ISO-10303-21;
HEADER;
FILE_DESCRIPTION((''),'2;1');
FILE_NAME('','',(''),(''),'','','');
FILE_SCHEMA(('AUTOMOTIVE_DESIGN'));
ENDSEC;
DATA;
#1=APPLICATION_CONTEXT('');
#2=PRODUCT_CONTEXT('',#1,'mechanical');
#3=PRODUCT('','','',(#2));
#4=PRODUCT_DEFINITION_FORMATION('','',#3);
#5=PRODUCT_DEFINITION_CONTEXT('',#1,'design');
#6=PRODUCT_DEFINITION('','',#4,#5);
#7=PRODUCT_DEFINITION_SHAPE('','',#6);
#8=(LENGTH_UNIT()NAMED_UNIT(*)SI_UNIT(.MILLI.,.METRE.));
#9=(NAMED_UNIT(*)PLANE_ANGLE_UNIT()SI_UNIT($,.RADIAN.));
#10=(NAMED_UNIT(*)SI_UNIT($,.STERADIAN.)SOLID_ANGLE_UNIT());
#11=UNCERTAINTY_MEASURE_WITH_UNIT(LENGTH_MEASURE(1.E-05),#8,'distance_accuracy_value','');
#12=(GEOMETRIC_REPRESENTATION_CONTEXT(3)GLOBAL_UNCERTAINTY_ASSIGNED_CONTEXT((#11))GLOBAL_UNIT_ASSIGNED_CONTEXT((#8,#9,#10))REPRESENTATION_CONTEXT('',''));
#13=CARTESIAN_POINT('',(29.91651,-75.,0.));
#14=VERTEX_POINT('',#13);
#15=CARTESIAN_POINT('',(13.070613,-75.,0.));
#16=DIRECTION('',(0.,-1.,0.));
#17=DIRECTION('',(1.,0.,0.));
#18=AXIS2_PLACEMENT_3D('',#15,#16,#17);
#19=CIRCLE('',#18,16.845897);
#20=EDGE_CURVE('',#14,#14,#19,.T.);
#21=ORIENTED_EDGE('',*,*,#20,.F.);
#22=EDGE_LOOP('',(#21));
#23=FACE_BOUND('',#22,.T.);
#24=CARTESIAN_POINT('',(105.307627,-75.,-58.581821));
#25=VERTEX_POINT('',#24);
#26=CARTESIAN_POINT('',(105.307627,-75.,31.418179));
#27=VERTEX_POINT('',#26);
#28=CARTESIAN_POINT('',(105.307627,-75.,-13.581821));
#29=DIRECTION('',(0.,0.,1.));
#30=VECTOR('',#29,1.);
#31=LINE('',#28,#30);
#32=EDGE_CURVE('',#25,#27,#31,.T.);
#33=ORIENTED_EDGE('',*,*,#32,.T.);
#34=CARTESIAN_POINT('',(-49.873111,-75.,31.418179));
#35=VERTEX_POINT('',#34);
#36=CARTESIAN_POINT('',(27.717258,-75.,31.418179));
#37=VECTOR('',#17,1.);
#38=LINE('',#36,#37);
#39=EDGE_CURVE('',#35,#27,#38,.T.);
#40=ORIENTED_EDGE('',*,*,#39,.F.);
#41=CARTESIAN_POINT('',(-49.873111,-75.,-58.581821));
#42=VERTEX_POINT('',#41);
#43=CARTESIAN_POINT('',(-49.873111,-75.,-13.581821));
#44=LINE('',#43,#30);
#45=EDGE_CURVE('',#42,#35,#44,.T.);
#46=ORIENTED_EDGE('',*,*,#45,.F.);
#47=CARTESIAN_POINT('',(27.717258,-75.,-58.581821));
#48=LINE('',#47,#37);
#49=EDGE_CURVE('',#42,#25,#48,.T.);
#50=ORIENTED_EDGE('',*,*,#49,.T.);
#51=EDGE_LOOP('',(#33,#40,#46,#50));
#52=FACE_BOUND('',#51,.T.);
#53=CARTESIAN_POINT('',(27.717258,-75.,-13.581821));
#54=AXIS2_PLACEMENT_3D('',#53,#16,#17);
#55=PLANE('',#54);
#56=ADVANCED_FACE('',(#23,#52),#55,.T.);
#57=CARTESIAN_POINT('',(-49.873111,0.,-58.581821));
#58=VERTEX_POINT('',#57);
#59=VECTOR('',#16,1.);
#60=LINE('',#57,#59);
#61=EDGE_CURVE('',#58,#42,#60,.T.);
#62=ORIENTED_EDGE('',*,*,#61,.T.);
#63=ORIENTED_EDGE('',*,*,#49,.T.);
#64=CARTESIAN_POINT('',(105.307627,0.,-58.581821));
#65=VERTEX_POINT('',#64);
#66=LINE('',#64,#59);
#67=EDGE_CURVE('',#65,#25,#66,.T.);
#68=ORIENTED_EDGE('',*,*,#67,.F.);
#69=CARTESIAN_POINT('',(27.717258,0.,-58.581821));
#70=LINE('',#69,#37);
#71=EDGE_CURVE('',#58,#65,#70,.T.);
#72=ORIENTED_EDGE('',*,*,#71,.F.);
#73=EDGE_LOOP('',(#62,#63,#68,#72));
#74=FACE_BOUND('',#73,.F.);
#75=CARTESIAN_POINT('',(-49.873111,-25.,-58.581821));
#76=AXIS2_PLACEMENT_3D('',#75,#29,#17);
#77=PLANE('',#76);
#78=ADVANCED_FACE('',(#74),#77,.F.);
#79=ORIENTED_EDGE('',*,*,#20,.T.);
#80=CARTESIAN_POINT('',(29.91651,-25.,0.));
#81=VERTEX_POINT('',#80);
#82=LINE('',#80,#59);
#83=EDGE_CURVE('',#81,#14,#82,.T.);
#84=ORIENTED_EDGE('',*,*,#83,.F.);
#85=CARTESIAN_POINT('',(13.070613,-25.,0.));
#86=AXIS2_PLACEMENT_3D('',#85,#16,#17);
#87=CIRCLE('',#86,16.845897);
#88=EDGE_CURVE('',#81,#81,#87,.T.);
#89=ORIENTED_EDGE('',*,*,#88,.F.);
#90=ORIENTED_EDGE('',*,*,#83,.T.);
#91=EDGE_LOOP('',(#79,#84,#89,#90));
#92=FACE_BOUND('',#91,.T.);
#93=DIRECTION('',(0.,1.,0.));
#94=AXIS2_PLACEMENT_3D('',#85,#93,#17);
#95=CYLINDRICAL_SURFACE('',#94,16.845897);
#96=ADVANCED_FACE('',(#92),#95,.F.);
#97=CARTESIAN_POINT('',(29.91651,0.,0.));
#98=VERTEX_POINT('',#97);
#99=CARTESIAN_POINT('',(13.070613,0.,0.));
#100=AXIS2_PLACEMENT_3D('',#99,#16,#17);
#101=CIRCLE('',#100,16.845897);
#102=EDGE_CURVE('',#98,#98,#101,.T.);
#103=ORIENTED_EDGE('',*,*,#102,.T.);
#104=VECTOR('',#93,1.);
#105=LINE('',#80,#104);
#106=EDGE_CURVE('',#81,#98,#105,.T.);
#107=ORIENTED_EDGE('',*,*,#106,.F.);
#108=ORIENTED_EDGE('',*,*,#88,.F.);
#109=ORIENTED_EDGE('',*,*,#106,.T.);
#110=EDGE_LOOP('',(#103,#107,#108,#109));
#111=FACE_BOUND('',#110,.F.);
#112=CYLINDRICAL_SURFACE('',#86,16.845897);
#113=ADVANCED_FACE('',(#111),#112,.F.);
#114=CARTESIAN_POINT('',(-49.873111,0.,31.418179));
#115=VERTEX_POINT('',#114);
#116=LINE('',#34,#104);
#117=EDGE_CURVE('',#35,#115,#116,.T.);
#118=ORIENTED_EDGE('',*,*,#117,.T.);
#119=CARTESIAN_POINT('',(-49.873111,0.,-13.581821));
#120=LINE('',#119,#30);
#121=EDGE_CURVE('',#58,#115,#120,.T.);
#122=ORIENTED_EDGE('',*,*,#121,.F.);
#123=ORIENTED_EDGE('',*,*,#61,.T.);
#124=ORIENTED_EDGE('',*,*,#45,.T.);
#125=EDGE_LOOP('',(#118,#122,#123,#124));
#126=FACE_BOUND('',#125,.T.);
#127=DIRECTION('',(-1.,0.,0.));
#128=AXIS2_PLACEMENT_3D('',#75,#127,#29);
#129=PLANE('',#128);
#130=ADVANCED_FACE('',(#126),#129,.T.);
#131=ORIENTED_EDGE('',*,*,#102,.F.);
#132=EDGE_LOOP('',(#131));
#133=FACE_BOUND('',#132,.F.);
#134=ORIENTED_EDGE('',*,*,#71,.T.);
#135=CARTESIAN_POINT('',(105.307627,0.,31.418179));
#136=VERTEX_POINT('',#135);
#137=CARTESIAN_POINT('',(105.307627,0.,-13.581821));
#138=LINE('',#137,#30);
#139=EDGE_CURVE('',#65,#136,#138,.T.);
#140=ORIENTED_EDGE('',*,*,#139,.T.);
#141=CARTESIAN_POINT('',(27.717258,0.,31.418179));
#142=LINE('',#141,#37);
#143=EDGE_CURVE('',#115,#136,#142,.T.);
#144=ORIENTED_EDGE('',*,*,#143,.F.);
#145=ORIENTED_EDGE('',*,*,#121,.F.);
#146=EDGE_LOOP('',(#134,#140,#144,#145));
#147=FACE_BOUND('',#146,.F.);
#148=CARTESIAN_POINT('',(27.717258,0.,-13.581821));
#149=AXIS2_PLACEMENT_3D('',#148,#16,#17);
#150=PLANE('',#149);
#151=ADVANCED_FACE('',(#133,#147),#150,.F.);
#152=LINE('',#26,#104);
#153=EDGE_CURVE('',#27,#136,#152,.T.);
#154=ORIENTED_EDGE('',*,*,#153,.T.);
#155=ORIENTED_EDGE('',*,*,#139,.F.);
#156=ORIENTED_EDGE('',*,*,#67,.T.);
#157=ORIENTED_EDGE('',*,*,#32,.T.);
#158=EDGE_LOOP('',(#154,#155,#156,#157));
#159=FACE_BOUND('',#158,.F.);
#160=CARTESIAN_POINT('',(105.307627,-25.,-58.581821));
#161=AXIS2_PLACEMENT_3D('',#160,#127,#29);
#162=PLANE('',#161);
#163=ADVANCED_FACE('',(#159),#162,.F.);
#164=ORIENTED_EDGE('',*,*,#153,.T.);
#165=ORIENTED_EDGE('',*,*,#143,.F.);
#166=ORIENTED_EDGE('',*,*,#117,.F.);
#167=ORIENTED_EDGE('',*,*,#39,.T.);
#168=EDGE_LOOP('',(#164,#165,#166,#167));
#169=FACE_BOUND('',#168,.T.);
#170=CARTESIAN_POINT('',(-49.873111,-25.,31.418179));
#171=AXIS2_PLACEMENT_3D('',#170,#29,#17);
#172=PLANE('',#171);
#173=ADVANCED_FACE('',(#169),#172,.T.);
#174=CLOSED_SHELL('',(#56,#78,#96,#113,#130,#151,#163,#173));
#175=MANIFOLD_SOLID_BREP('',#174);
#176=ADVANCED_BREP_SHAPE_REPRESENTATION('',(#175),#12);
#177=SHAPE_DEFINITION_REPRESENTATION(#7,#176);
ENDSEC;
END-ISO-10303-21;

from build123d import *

# Parameters (mm, degrees)
F0_W      = 155.180738
F0_H      = 90
F1_DEPTH  = 25
F2_R      = 16.845897
F3_DEPTH  = 25.001
F1_FACE_W = 155.180738
F1_FACE_H = 90
F1_FACE_R = 16.845897
F4_DEPTH  = 50


with BuildPart() as f1:
    # F0 (on Front) → F1 (new body)
    with BuildSketch(Plane.XZ):
        with Locations((27.717258, -13.581821)):
            Rectangle(F0_W, F0_H)
    extrude(amount=F1_DEPTH)

    # F2 (on face) → F3 (cut, through all)
    with BuildSketch(Plane.XZ.offset(25)):
        with Locations((13.070613, 0)):
            Circle(F2_R)
    extrude(amount=-F3_DEPTH, mode=Mode.SUBTRACT)

    # F1_face (on face) → F4 (join)
    with BuildSketch(Plane(origin=(27.717258, -25, -13.581821), x_dir=(1, 0, 0), z_dir=(0, -1, 0))):
        Rectangle(F1_FACE_W, F1_FACE_H)
        with Locations((-14.646645, 13.581821)):
            Circle(F1_FACE_R, mode=Mode.SUBTRACT)
    extrude(amount=F4_DEPTH)


solid = f1.part
